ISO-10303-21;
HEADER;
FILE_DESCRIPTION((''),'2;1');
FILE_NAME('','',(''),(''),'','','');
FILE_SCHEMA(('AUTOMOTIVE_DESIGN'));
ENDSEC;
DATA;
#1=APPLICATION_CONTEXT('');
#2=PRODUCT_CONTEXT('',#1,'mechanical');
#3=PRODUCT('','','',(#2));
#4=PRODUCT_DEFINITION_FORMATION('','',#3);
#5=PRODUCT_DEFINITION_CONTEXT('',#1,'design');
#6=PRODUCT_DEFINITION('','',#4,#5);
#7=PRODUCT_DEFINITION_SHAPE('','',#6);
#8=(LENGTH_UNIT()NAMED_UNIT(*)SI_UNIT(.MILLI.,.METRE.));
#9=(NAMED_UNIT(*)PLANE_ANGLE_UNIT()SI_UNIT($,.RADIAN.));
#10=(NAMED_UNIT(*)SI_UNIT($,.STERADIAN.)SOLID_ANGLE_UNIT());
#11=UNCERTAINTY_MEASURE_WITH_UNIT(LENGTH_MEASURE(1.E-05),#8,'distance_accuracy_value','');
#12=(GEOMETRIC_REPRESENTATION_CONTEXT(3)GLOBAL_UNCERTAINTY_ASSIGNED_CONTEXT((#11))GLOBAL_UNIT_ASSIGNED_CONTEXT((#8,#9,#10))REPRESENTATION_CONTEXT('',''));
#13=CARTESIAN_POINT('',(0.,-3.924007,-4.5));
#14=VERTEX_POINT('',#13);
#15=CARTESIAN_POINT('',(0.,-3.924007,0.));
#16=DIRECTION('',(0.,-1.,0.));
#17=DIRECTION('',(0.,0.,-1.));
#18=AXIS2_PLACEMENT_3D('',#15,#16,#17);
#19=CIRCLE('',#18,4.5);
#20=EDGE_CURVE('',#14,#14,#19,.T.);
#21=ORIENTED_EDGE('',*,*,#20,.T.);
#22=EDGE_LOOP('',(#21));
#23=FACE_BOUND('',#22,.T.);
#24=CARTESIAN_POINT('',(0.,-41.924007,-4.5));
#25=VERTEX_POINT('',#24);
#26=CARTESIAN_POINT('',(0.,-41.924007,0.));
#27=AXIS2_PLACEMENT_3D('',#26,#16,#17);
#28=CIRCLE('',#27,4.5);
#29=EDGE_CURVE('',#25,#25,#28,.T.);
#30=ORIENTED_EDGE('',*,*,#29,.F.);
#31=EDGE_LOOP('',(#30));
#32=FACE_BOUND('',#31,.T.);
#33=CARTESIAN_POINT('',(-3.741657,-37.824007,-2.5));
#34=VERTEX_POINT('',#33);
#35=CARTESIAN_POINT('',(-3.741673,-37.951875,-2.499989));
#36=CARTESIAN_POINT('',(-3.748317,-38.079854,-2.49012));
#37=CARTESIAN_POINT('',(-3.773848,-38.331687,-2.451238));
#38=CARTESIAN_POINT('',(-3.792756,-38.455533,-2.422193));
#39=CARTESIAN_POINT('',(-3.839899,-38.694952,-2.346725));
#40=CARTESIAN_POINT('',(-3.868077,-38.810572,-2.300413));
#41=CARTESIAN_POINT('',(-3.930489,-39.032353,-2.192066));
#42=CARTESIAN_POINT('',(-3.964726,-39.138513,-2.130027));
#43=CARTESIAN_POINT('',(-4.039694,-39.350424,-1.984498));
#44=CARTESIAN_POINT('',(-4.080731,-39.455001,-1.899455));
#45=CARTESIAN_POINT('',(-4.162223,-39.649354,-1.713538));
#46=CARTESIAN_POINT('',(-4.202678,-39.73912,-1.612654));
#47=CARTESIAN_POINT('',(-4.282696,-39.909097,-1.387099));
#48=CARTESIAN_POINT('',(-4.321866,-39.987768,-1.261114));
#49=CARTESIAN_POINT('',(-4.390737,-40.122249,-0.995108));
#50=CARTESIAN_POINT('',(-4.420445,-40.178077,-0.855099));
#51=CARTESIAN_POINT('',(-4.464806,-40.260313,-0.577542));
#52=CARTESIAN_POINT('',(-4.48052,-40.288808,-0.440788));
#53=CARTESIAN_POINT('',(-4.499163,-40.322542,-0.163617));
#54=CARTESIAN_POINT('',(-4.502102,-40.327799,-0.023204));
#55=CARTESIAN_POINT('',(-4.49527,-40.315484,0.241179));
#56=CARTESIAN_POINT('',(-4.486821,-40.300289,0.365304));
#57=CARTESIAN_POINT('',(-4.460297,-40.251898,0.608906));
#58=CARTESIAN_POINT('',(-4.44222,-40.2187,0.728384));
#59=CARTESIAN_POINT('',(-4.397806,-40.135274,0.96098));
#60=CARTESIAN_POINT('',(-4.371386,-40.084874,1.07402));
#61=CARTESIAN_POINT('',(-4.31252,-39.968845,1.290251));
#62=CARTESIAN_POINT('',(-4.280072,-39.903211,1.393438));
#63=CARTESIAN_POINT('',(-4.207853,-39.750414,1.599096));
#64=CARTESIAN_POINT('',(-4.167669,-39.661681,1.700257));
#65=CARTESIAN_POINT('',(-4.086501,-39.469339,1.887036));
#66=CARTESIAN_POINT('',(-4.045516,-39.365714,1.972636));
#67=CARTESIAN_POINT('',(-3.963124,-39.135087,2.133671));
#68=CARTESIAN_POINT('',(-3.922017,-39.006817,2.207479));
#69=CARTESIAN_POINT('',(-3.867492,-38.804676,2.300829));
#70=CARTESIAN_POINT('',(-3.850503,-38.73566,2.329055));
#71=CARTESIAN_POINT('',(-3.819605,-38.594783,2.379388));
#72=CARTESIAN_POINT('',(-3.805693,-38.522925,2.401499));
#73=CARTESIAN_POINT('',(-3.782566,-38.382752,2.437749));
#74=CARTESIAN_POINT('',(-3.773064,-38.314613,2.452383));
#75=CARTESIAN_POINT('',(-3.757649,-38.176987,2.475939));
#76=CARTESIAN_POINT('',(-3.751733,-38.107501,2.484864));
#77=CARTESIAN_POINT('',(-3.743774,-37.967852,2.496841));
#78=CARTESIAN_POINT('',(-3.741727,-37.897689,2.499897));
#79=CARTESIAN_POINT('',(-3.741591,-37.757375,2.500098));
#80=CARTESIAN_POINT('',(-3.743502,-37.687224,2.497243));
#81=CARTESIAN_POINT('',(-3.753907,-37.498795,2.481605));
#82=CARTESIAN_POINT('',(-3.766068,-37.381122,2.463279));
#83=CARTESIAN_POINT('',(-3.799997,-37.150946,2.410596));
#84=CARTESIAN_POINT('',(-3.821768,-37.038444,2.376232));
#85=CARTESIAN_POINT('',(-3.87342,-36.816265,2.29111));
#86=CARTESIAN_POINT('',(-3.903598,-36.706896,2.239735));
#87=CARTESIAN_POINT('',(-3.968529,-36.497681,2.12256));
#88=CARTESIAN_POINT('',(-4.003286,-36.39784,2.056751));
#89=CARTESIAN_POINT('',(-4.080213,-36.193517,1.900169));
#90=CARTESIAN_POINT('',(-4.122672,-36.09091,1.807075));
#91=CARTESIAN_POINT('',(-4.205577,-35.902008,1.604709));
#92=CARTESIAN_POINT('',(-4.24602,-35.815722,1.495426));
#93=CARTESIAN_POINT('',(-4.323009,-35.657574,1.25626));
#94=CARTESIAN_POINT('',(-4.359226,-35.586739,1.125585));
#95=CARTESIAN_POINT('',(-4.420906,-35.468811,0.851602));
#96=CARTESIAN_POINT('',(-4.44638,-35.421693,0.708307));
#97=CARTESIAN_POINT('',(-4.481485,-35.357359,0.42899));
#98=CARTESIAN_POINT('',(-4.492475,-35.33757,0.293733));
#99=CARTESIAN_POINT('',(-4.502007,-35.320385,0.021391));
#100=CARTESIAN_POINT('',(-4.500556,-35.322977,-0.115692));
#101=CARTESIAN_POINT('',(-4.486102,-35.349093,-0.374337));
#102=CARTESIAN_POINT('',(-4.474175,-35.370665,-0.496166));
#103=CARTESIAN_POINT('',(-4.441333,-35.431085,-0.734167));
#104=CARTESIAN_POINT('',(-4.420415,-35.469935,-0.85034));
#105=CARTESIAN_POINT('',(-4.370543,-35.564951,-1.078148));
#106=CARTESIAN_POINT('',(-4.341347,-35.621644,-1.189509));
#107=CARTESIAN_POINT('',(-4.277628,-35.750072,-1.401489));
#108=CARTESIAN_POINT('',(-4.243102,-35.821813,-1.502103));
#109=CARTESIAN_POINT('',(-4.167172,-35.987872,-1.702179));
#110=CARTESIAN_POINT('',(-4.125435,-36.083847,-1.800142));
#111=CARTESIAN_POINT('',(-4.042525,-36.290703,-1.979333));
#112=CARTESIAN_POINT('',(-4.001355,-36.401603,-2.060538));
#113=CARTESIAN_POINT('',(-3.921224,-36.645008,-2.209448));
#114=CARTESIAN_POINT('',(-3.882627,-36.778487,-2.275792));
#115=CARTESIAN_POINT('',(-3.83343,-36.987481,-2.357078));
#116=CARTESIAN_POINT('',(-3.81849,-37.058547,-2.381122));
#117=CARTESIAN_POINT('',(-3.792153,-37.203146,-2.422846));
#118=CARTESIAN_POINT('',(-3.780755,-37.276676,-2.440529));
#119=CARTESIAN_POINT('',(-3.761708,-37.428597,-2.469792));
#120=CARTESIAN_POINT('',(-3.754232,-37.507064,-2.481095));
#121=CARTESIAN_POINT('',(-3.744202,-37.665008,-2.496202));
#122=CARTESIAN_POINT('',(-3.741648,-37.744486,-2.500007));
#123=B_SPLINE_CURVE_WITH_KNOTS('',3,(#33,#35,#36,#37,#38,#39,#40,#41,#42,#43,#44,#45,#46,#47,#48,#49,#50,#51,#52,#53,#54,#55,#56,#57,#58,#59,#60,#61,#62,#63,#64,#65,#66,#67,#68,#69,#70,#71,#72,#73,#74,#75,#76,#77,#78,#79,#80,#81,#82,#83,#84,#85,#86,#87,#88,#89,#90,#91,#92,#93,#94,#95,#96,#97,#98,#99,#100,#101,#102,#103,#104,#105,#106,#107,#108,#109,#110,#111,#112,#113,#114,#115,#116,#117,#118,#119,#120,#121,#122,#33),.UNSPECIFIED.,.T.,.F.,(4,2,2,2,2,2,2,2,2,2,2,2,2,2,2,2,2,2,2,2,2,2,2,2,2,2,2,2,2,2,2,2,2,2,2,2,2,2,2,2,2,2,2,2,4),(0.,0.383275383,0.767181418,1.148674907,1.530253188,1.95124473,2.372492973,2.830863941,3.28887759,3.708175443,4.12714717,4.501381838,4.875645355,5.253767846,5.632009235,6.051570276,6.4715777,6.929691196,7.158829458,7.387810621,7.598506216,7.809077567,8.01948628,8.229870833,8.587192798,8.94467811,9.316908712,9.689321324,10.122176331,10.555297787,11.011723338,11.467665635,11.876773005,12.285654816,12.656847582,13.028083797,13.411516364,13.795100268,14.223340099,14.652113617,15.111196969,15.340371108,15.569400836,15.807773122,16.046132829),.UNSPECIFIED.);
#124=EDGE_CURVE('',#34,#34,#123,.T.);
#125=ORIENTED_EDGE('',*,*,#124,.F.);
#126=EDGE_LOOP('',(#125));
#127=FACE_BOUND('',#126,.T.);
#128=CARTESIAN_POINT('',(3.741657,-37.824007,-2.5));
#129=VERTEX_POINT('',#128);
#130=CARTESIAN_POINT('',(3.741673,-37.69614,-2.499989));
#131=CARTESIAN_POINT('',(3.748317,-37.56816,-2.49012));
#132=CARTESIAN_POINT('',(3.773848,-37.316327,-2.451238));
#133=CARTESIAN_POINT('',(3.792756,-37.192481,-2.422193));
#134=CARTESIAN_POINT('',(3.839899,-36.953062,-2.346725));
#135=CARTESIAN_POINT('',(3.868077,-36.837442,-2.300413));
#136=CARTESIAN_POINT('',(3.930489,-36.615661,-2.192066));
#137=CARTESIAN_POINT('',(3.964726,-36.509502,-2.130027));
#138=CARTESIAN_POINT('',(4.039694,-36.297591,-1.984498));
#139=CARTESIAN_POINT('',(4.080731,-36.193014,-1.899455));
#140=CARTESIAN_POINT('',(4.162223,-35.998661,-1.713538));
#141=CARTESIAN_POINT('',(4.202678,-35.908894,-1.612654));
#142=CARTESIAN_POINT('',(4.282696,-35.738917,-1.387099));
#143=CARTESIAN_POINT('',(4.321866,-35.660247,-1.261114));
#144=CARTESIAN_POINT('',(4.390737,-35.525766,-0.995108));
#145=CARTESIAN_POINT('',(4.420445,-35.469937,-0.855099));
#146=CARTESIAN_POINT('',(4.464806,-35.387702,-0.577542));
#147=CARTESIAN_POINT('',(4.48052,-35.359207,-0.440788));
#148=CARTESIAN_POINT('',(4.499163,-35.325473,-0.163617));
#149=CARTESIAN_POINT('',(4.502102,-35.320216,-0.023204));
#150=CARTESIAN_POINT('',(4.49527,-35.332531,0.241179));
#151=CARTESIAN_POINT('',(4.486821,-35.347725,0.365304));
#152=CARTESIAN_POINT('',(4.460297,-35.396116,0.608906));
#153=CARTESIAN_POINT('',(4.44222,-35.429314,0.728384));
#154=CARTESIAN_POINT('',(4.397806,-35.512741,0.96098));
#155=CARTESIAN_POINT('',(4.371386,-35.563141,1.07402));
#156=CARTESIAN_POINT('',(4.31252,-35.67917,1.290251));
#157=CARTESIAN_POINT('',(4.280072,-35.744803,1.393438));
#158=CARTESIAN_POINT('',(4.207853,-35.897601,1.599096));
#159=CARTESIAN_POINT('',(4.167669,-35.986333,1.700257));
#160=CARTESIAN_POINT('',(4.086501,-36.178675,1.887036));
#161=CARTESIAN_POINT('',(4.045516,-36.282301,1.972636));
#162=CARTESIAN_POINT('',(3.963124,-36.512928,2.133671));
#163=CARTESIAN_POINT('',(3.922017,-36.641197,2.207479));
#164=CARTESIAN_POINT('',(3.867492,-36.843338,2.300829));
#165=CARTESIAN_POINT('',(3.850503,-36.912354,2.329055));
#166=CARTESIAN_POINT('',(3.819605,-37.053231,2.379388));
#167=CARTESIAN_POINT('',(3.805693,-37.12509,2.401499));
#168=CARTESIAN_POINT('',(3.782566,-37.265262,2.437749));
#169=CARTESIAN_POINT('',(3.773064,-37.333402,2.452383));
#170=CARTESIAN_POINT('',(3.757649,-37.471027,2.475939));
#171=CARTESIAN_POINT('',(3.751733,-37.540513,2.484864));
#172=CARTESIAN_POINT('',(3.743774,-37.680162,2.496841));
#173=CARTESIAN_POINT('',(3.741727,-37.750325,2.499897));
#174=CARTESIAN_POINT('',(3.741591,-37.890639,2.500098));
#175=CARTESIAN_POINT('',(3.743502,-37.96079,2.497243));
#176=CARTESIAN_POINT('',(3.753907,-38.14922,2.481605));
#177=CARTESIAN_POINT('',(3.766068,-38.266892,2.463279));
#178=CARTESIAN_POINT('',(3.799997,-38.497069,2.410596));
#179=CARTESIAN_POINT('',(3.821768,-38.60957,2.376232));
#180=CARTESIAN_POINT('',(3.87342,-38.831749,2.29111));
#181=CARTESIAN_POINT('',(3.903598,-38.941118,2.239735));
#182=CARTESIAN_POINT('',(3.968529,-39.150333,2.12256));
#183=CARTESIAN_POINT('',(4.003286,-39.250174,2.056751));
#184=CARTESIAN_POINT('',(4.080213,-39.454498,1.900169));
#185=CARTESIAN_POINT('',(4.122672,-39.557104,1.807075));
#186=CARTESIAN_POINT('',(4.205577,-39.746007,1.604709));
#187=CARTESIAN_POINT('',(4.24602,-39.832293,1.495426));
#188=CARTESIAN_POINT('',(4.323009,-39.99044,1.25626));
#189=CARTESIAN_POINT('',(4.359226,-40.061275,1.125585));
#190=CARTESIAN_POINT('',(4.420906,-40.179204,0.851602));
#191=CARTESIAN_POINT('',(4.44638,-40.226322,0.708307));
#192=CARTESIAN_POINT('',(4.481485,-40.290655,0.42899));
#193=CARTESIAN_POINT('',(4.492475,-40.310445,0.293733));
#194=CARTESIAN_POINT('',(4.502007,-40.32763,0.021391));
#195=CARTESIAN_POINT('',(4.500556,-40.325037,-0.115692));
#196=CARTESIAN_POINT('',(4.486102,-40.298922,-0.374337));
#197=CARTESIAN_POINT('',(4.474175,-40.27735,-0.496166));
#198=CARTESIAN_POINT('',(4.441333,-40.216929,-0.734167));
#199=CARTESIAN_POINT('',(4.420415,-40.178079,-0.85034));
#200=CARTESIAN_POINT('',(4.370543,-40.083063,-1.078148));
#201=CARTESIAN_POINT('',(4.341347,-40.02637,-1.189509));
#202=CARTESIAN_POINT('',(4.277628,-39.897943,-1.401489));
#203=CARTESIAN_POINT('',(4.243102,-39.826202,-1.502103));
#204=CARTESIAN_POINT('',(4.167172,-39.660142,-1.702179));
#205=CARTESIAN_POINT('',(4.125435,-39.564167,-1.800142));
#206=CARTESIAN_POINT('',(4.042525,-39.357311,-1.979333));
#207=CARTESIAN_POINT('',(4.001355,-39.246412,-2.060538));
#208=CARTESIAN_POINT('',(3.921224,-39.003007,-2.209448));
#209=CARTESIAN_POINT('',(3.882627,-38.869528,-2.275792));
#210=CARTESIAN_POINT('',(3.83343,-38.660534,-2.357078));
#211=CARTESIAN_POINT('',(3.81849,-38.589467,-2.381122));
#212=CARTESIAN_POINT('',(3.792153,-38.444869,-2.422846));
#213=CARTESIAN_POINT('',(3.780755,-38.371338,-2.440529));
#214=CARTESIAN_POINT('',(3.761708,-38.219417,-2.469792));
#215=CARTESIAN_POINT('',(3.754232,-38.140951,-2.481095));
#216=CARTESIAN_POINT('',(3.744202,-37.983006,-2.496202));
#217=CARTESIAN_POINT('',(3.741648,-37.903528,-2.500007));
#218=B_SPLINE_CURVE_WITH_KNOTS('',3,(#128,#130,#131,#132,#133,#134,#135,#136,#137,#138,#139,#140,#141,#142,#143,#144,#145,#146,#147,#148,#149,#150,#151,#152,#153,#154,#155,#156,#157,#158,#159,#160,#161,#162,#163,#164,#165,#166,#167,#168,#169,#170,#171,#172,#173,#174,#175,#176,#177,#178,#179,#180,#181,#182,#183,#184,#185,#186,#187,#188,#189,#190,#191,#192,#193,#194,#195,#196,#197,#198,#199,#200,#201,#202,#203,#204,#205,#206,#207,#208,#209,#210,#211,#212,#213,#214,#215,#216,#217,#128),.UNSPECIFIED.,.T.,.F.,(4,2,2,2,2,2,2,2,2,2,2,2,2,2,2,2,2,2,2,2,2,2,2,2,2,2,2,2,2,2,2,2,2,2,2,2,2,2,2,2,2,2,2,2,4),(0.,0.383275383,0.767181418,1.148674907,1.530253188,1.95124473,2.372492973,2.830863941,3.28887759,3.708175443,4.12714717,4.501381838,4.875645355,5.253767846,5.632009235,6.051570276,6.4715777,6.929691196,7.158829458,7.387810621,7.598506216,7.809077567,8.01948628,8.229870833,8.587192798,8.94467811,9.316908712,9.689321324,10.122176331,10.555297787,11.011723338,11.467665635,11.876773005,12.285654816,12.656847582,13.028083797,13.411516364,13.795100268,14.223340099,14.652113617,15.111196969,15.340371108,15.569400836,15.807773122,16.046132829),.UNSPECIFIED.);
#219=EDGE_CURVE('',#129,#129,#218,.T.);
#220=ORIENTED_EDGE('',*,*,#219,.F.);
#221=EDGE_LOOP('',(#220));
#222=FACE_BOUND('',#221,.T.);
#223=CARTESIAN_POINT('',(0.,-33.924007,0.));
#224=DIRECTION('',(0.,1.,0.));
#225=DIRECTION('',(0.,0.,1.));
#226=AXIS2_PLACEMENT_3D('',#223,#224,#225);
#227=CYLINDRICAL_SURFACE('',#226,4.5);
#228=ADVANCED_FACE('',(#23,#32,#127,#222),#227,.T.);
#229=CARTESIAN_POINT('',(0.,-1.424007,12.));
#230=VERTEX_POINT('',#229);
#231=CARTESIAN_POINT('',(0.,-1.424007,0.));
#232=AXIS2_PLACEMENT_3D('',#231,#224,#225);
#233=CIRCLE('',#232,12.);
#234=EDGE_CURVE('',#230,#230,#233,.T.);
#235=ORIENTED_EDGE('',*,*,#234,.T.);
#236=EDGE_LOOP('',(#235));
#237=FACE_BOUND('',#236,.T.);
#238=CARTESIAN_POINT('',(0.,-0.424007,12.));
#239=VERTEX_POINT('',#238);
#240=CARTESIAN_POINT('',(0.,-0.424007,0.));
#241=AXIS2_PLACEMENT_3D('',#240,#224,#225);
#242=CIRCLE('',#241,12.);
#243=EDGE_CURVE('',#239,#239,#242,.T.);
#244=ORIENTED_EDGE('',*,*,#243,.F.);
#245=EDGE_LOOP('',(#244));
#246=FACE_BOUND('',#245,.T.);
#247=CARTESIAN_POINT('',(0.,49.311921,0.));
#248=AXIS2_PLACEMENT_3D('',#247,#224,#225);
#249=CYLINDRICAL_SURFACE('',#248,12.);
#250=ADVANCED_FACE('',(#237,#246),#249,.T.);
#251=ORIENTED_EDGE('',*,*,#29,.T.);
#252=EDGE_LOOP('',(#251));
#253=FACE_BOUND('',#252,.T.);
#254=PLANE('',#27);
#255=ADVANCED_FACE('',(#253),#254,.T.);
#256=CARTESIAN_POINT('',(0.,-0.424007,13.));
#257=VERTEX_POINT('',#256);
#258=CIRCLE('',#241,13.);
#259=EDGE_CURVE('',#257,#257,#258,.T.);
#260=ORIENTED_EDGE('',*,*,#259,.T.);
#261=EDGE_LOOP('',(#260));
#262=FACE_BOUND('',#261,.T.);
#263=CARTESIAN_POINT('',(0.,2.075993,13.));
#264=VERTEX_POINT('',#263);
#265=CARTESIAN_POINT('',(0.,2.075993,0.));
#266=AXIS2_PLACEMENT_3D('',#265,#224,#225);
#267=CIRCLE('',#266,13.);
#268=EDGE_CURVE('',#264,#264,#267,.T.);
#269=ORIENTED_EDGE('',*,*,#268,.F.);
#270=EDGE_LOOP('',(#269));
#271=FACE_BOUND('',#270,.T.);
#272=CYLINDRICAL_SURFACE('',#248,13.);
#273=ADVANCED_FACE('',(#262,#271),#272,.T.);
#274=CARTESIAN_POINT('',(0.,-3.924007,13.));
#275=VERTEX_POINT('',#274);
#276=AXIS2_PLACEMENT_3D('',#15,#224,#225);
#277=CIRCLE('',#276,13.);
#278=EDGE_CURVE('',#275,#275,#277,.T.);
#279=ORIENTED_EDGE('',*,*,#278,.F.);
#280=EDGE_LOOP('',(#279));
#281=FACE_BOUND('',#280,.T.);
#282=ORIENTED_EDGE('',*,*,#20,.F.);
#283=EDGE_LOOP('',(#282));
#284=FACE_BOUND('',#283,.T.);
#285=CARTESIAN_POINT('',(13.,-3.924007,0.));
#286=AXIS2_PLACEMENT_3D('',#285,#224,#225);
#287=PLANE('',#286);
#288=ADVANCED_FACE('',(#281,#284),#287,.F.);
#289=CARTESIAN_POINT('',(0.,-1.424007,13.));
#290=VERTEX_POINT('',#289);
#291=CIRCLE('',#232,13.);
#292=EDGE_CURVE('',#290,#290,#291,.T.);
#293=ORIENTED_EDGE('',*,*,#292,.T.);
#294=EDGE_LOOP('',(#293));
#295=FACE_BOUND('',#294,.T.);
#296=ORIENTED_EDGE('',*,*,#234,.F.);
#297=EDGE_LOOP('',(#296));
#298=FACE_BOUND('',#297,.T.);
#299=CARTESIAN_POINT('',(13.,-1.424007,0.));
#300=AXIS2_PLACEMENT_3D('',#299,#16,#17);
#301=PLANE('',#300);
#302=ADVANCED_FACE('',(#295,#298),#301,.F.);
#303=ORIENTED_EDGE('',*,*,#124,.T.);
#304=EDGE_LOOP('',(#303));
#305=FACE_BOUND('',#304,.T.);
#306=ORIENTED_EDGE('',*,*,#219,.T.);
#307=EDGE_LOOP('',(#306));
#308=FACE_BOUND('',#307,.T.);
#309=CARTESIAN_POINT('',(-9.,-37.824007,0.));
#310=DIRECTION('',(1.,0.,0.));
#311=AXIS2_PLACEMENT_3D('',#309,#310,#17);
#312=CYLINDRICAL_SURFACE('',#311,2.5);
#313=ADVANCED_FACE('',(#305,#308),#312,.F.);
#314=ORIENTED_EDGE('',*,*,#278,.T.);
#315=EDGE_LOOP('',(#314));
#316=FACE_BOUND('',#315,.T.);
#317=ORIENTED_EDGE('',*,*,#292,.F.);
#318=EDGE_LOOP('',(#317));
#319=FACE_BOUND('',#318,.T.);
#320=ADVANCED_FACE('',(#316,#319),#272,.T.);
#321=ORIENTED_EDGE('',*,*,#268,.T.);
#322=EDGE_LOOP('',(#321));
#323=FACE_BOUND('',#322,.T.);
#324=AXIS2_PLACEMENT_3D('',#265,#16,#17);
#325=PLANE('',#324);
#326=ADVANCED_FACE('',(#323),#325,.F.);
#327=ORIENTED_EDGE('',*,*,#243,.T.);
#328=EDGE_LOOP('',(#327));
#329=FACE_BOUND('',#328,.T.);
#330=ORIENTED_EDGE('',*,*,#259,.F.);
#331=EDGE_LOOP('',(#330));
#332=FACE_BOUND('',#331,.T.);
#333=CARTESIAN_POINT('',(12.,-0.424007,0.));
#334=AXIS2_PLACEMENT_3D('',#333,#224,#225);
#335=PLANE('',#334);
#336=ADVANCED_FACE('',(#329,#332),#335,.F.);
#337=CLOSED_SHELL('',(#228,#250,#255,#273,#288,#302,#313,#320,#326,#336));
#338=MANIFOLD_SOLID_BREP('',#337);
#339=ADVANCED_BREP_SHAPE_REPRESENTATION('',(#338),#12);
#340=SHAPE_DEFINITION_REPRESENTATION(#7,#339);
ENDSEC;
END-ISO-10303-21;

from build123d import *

# Parameters (mm, degrees)
SKETCH2_R                = 4.5
BOSS_EXTRUDE1_DEPTH      = 30
BOSS_EXTRUDE2_DEPTH      = 1
BOSS_EXTRUDE2_DEPTH_BACK = 1
CUT_EXTRUDE3_DEPTH       = 48.765956346
SKETCH6_R                = 4.5
BOSS_EXTRUDE3_DEPTH      = 8
CUT_EXTRUDE2_DEPTH       = 8
CUT_EXTRUDE2_DEPTH_BACK  = 47.071926172
SKETCH4_R                = 2.5
CUT_EXTRUDE5_START       = -8
SKETCH7_R                = 6.95034237
SKETCH7_R_2              = 4.5
CUT_EXTRUDE5_DEPTH       = 8


with BuildPart() as part:
    # Sketch1 → Revolve1 (revolve)
    with BuildSketch(Plane.XY):
        Polygon((0, 2.075992783), (13, 2.075992783), (13, -0.424007217), (12, -0.424007217), (12, -1.424007217), (13, -1.424007217), (13, -3.924007217), (0, -3.924007217), align=None)
    revolve(axis=Axis((0, 49.311920993, 0), (0, -1, 0)))

    # Sketch2 → Boss-Extrude1 (add)
    with BuildSketch(Plane.XZ.offset(3.924007217)):
        Circle(SKETCH2_R)
    extrude(amount=BOSS_EXTRUDE1_DEPTH)

    # Sketch3 → Boss-Extrude2 (add, two sides: drawn at the far end of the back side and taken through both)
    with BuildSketch(Plane(origin=(0, 0, 0), x_dir=(0, 0, -1), z_dir=(1, 0, 0)).offset(-BOSS_EXTRUDE2_DEPTH_BACK)):
        with BuildLine():
            Line((0, -33.924007217), (-4.5, -33.924007217))
            ThreePointArc((-4.5, -33.924007217), (-2.081257447, -43.403287407), (5.954829972, -37.824007217))
            ThreePointArc((5.954829972, -37.824007217), (5.57928019, -35.74274977), (4.5, -33.924007217))
            Line((4.5, -33.924007217), (0, -33.924007217))
        make_face()
    extrude(amount=BOSS_EXTRUDE2_DEPTH + BOSS_EXTRUDE2_DEPTH_BACK)

    # Sketch5 → Cut-Extrude3 (cut, through all)
    with BuildSketch(Plane(origin=(1, 0, 0), x_dir=(0, 0, -1), z_dir=(1, 0, 0))):
        with BuildLine():
            Line((5.205457264, -40.715929532), (-5.205457264, -40.715929532))
            ThreePointArc((-5.205457264, -40.715929532), (0, -43.77883719), (5.205457264, -40.715929532))
        make_face()
    extrude(amount=-CUT_EXTRUDE3_DEPTH, mode=Mode.SUBTRACT)

    # Sketch6 → Boss-Extrude3 (add)
    with BuildSketch(Plane.XZ.offset(33.924007217)):
        Circle(SKETCH6_R)
    extrude(amount=BOSS_EXTRUDE3_DEPTH)

    # Sketch4 → Cut-Extrude2 (cut, two sides: drawn at the far end of the back side and taken through both)
    with BuildSketch(Plane.ZY.offset(1).offset(-CUT_EXTRUDE2_DEPTH_BACK)):
        with Locations((0, -37.824007217)):
            Circle(SKETCH4_R)
    extrude(amount=CUT_EXTRUDE2_DEPTH + CUT_EXTRUDE2_DEPTH_BACK, mode=Mode.SUBTRACT)

    # Sketch7 → Cut-Extrude5 (cut)
    with BuildSketch(Plane.XZ.offset(41.924007217).offset(CUT_EXTRUDE5_START)):
        Circle(SKETCH7_R)
        Circle(SKETCH7_R_2, mode=Mode.SUBTRACT)
    extrude(amount=CUT_EXTRUDE5_DEPTH, mode=Mode.SUBTRACT)


solid = part.part
